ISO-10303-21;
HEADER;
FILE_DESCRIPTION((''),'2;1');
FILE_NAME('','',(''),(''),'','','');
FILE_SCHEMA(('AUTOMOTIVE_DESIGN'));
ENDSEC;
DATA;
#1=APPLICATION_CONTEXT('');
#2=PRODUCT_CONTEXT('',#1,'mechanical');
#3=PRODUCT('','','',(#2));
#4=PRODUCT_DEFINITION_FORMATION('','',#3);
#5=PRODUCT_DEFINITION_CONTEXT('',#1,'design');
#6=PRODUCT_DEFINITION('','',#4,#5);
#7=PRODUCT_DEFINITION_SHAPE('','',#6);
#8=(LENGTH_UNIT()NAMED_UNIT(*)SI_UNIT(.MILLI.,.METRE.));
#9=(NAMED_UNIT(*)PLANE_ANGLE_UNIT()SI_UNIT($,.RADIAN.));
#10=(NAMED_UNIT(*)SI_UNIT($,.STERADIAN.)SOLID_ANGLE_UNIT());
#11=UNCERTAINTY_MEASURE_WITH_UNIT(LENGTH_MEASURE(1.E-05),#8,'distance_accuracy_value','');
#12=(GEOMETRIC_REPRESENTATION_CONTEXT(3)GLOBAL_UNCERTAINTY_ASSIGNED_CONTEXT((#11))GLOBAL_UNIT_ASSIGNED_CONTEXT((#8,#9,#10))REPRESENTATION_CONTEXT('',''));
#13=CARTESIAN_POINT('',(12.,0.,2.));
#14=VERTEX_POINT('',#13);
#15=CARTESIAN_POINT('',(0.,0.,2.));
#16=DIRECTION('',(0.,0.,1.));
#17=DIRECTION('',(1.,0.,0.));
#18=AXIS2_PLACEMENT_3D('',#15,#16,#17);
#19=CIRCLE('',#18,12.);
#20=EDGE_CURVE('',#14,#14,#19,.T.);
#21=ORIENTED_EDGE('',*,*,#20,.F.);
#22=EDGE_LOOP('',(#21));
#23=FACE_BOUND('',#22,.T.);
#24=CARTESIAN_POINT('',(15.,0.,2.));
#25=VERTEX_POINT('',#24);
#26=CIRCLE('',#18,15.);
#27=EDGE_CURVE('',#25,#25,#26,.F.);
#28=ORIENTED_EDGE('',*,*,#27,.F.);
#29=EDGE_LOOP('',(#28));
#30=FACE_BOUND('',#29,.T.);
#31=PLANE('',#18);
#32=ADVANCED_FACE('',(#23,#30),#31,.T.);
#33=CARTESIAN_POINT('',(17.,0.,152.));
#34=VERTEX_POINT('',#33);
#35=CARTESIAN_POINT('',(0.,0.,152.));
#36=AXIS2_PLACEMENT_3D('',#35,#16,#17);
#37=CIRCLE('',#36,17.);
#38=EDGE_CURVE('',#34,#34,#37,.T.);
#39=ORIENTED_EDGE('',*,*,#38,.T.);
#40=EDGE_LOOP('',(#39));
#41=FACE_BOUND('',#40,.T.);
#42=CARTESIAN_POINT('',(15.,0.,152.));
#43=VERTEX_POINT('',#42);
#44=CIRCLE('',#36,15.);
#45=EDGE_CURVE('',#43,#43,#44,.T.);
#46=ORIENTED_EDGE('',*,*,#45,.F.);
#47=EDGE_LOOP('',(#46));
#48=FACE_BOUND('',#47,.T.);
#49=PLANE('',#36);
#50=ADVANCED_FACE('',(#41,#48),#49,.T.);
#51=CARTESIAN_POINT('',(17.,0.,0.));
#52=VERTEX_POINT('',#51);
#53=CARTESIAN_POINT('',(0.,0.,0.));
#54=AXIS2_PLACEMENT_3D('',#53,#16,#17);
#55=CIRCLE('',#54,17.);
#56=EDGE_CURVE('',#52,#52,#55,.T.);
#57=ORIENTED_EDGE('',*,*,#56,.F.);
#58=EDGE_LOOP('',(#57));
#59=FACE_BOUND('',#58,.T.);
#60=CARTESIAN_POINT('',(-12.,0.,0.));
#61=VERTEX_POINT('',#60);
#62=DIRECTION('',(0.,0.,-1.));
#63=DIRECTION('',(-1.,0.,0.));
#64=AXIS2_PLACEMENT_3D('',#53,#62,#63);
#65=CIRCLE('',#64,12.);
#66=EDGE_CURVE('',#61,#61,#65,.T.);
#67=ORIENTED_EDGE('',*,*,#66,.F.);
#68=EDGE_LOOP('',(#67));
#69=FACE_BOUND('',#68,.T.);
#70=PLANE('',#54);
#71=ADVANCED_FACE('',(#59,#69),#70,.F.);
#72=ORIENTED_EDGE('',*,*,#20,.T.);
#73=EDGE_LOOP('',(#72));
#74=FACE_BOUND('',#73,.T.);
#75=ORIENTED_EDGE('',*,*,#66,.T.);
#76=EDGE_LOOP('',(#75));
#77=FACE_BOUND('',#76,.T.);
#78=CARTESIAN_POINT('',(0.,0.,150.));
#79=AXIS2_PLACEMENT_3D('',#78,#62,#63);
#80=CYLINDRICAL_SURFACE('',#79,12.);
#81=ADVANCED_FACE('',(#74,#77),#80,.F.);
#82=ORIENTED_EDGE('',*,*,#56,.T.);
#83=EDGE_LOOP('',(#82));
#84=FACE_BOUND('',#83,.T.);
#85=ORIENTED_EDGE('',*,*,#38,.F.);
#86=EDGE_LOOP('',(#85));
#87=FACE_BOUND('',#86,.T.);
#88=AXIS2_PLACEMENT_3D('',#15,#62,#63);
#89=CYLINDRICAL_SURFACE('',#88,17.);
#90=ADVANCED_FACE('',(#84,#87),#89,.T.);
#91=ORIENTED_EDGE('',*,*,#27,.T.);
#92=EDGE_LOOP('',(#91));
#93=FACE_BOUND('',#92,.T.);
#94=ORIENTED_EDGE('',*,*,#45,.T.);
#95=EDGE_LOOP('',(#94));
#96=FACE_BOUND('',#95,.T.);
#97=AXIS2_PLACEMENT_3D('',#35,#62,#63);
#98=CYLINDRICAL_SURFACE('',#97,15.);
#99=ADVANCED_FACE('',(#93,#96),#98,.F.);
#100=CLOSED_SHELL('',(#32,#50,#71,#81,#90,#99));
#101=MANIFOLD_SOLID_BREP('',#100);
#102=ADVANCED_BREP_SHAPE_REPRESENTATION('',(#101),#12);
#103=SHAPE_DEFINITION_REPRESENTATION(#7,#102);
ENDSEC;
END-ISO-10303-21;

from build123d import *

# Parameters (mm, degrees)
ESQUISSE1_R             = 17
BOSS_EXTRU_1_DEPTH      = 2
ESQUISSE2_R             = 17
ESQUISSE2_R_2           = 15
BOSS_EXTRU_2_DEPTH      = 150
ESQUISSE3_R             = 12
ENL_V_MAT_EXTRU_1_DEPTH = 150


with BuildPart() as part:
    # Esquisse1 → Boss.-Extru.1 (new body)
    with BuildSketch(Plane.XY):
        Circle(ESQUISSE1_R)
    extrude(amount=BOSS_EXTRU_1_DEPTH)

    # Esquisse2 → Boss.-Extru.2 (add)
    with BuildSketch(Plane.XY.offset(2)):
        Circle(ESQUISSE2_R)
        Circle(ESQUISSE2_R_2, mode=Mode.SUBTRACT)
    extrude(amount=BOSS_EXTRU_2_DEPTH)

    # Esquisse3 → Enlèv. mat.-Extru.1 (cut)
    with BuildSketch(Plane(origin=(0, 0, 0), x_dir=(-1, 0, 0), z_dir=(0, 0, -1))):
        Circle(ESQUISSE3_R)
    extrude(amount=-ENL_V_MAT_EXTRU_1_DEPTH, mode=Mode.SUBTRACT)


solid = part.part
